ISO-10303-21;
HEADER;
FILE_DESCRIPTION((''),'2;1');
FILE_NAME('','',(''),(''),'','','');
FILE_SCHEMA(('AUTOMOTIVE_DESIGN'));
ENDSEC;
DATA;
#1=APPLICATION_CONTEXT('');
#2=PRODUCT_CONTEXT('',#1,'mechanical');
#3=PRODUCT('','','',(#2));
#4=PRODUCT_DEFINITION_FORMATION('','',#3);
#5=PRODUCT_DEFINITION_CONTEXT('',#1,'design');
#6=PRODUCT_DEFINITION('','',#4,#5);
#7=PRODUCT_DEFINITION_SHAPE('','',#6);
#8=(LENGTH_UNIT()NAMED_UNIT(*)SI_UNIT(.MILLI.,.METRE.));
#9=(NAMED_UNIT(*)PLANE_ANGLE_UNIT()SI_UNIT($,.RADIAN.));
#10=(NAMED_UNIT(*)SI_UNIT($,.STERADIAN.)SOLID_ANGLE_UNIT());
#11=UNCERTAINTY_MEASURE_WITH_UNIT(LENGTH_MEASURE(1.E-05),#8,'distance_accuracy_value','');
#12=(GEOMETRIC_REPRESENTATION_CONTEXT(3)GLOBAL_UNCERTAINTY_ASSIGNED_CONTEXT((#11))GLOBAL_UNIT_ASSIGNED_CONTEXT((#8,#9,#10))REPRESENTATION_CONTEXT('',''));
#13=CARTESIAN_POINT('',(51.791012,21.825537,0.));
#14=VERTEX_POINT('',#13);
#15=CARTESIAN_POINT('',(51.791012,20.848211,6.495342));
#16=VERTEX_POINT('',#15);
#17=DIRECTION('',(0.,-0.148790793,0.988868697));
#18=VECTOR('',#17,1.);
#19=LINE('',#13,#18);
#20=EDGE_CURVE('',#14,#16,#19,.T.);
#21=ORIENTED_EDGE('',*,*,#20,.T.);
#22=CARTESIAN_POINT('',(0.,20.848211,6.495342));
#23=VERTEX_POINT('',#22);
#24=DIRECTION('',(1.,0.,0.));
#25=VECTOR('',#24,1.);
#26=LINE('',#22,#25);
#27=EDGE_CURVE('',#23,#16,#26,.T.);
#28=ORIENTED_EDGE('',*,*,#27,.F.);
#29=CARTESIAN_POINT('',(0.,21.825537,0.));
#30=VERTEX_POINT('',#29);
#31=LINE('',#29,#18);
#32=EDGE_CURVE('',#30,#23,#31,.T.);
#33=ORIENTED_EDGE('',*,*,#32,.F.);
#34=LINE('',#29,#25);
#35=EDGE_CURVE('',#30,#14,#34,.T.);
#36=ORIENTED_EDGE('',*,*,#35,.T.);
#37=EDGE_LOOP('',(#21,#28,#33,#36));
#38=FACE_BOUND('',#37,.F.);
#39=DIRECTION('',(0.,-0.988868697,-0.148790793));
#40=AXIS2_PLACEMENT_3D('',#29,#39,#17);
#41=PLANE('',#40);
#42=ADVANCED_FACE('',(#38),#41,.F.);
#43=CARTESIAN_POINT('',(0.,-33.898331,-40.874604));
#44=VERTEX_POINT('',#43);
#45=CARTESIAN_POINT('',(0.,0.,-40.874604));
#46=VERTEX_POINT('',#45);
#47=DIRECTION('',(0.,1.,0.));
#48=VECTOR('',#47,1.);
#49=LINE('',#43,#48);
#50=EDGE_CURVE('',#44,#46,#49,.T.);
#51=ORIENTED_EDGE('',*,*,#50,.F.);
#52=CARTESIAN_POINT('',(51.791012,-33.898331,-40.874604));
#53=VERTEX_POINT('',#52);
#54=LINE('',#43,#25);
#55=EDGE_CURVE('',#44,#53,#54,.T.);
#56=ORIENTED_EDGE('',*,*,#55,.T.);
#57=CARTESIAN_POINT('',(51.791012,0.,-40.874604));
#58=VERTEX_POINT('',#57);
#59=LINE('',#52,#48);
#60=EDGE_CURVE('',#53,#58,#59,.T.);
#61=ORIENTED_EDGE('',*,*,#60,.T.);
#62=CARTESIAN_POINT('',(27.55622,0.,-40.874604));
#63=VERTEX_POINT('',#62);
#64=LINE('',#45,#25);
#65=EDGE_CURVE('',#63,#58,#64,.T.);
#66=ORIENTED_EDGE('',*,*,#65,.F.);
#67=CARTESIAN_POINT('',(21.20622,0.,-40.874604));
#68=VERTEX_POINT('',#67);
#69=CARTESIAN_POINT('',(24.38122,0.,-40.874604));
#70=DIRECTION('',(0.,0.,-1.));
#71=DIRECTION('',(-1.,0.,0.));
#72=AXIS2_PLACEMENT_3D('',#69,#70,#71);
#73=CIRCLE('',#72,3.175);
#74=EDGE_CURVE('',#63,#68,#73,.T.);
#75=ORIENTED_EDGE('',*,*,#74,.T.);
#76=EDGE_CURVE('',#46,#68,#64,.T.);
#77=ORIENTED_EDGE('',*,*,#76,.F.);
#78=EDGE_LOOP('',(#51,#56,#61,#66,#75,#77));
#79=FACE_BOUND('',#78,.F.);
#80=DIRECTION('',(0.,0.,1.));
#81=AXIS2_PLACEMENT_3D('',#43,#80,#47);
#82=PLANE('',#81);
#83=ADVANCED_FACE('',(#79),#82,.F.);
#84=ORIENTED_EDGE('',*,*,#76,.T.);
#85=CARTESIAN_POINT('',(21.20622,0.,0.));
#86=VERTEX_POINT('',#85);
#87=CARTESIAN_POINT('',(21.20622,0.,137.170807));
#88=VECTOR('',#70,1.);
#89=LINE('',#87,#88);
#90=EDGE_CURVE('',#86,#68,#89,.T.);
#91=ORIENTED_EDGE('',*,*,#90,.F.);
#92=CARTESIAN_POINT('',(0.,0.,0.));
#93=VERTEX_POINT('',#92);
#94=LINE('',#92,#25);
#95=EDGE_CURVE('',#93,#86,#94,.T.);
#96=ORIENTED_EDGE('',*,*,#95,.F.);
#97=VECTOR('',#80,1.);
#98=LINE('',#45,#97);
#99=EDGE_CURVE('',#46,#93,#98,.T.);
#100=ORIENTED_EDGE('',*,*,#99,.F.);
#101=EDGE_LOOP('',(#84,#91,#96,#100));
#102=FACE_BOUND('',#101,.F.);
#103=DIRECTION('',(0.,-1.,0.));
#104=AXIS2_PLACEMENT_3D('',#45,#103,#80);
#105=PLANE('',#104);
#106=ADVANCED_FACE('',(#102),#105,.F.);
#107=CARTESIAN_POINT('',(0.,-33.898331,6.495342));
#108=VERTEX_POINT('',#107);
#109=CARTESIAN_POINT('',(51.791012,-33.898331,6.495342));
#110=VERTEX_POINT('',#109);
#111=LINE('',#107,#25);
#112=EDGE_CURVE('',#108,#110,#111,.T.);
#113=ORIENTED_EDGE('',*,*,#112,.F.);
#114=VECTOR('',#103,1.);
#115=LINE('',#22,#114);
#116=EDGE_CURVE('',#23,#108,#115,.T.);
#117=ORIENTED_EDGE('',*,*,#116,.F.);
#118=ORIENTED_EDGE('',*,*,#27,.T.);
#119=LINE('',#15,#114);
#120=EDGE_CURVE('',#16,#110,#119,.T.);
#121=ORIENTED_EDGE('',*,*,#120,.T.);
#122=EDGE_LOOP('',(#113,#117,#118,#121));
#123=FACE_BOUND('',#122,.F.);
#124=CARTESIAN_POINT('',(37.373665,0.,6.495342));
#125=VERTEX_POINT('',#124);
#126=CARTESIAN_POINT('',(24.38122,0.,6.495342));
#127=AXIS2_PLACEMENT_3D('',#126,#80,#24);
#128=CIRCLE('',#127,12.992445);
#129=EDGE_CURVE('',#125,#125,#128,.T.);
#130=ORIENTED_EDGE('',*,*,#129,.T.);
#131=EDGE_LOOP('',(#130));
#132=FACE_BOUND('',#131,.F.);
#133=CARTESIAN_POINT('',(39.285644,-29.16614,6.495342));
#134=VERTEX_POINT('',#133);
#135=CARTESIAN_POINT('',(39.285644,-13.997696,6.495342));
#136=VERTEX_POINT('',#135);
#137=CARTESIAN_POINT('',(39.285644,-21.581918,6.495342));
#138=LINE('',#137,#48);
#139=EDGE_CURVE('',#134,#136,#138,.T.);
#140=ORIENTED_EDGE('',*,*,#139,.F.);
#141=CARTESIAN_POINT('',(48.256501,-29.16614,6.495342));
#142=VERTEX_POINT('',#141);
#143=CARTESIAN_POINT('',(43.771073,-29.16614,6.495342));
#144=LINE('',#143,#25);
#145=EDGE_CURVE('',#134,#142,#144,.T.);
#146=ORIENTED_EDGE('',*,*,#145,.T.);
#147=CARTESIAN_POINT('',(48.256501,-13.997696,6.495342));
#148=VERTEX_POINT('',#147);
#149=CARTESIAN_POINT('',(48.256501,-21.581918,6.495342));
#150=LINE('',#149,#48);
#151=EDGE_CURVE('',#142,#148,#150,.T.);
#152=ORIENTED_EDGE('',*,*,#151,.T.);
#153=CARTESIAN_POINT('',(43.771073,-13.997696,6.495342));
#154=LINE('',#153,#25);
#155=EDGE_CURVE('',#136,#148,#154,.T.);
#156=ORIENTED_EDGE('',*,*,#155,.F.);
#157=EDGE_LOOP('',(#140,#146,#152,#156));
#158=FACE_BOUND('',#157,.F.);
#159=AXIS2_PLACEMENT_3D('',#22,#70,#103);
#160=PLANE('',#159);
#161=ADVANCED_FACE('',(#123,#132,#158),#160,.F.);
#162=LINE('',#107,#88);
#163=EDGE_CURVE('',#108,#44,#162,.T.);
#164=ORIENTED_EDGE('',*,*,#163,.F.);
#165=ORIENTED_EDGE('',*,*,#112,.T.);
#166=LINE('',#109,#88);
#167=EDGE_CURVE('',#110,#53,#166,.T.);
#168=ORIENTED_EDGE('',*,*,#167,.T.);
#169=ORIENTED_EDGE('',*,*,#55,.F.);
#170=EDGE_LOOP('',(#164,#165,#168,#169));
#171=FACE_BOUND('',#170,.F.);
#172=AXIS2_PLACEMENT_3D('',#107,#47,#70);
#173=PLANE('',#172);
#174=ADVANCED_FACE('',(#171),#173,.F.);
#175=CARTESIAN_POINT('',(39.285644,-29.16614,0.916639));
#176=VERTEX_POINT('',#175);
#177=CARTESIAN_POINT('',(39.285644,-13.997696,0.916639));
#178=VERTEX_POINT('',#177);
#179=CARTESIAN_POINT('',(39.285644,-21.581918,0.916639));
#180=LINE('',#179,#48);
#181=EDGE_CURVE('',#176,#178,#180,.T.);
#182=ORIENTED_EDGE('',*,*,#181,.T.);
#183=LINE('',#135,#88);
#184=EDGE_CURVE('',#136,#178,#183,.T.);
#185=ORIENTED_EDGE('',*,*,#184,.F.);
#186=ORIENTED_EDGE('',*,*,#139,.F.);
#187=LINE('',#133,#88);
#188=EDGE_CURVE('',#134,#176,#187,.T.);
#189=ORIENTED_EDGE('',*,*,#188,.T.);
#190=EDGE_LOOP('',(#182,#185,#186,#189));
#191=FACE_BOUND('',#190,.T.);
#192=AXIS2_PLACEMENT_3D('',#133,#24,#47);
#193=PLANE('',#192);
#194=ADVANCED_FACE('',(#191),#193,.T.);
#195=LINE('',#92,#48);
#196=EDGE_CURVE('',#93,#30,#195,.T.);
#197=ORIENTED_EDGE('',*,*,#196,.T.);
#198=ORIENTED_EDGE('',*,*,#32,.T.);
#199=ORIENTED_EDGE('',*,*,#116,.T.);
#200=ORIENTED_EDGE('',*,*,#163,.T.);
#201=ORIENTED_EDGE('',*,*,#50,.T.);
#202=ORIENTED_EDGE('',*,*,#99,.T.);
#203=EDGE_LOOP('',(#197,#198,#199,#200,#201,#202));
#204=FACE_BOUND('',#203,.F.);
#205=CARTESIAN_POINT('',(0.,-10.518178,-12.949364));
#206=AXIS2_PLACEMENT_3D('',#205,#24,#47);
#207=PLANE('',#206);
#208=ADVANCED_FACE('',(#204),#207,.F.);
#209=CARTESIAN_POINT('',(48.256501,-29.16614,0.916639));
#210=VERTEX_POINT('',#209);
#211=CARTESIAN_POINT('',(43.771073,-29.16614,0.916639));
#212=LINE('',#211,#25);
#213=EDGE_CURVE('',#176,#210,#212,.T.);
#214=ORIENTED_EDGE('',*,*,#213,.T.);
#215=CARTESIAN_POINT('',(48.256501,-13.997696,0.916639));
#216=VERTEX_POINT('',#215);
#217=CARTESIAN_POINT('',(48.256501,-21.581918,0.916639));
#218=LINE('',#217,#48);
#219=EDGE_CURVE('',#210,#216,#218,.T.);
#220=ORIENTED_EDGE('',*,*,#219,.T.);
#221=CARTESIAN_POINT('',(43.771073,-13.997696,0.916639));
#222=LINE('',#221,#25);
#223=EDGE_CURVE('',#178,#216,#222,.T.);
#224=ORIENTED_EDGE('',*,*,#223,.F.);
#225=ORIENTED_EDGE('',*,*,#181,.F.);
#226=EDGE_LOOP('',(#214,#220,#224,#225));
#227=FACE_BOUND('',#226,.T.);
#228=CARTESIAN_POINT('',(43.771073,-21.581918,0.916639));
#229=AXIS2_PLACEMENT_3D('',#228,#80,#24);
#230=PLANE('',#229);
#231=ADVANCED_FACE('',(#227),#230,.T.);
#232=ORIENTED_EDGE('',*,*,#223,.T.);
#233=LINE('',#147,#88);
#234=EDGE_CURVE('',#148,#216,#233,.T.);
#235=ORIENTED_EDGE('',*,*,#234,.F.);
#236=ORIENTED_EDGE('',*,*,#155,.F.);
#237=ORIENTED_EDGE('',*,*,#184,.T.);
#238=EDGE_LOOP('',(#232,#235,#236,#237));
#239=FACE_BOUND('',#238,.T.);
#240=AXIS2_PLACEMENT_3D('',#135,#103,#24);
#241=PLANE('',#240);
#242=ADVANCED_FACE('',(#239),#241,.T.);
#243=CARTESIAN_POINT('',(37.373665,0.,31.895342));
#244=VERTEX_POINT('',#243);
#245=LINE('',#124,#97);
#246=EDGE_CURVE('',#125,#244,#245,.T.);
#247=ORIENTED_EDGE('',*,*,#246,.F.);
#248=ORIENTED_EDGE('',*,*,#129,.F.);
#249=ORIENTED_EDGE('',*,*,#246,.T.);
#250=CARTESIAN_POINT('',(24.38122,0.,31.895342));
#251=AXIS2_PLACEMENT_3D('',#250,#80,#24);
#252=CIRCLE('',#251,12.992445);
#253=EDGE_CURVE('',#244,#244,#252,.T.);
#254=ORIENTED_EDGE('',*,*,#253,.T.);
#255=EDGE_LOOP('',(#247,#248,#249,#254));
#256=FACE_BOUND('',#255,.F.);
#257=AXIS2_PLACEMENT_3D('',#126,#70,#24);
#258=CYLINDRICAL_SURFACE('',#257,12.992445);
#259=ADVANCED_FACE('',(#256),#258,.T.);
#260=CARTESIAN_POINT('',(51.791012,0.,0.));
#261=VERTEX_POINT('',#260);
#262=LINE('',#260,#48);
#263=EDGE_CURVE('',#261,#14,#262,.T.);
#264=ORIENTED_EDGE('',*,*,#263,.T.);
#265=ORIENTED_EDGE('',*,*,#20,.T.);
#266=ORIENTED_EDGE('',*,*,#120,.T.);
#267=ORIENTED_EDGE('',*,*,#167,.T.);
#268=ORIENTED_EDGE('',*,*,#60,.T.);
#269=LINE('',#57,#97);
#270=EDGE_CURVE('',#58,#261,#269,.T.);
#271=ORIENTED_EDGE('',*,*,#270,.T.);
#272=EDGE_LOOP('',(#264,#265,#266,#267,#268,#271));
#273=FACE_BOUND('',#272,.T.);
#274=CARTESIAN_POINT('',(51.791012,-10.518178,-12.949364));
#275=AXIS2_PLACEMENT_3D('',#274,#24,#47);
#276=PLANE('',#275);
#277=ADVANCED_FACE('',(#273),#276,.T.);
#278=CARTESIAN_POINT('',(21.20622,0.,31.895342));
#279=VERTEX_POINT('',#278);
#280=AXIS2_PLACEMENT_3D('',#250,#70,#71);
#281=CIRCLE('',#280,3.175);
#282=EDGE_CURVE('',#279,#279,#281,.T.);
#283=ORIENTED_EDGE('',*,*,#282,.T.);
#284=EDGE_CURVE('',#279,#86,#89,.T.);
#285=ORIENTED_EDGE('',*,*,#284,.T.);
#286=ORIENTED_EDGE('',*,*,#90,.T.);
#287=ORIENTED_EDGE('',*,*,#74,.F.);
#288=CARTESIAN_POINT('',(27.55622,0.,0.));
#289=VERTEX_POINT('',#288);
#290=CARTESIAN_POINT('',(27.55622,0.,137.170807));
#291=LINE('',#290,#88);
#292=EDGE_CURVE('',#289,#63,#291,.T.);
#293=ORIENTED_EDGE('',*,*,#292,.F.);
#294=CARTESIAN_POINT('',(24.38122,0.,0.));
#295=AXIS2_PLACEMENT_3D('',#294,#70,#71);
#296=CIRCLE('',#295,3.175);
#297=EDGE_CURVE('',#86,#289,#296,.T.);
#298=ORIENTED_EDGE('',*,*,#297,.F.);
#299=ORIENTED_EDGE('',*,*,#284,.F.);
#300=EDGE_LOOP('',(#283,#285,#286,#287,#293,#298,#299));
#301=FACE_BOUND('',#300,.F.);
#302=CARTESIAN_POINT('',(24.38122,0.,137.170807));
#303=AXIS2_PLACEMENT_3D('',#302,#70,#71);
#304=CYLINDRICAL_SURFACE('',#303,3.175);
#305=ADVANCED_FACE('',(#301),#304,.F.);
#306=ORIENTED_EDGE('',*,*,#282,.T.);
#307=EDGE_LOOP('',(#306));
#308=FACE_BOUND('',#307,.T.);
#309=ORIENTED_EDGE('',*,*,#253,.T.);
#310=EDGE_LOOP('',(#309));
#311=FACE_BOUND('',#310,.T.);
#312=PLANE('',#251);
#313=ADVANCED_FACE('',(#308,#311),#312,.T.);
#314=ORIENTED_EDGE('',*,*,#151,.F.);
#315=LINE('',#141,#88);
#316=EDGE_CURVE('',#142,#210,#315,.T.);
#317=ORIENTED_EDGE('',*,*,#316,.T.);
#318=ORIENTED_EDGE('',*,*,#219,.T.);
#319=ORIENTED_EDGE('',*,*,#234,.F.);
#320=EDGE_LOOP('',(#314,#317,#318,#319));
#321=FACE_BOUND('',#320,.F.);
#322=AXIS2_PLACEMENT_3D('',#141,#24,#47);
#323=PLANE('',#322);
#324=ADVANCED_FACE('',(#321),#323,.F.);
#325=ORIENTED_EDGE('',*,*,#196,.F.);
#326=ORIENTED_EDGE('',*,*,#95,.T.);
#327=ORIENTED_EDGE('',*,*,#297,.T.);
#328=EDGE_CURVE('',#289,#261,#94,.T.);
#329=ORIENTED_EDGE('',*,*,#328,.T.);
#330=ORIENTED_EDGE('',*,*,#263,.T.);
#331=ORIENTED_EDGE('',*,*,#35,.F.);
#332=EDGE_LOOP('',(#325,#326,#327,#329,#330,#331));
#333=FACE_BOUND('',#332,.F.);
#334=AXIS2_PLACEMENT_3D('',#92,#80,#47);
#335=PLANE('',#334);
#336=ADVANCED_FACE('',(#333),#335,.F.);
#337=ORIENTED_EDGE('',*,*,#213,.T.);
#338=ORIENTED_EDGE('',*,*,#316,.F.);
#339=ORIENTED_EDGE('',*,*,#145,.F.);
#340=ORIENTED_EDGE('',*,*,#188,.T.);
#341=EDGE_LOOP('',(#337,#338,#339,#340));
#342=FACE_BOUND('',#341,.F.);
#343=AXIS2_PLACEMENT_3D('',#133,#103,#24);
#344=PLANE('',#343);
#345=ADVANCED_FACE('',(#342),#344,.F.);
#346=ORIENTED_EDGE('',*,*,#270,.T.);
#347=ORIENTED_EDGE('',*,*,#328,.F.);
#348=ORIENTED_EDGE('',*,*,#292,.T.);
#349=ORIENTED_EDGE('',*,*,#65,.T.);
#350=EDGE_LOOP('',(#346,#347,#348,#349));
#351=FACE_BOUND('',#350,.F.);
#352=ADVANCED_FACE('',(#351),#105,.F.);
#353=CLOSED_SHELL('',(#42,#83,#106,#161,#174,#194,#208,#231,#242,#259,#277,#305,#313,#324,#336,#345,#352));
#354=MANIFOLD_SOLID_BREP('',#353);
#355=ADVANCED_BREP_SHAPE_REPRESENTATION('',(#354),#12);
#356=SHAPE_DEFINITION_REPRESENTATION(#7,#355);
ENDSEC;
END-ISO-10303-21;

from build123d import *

# Parameters (mm, degrees)
F1_DEPTH = 51.791012
F2_R     = 12.992445
F3_DEPTH = 25.4
F5_D     = 6.35
F6_W     = 8.970857
F6_H     = 15.168444
F7_DEPTH = 5.578703


with BuildPart() as f1:
    # F0 (on Right) → F1 (new body)
    with BuildSketch(Plane.YZ):
        Polygon((21.825537, 0), (20.848211, 6.495342), (-33.898331, 6.495342), (-33.898331, -40.874604), (0, -40.874604), (0, 0), align=None)
    extrude(amount=F1_DEPTH)

    # F2 (on face) → F3 (join)
    with BuildSketch(Plane.XY.offset(6.495342)):
        with Locations((24.38122, 0)):
            Circle(F2_R)
    extrude(amount=F3_DEPTH)

    # F5 (through all)
    with Locations(Plane.XY.offset(31.895342)):
        with Locations((24.38122, 0)):
            Hole(F5_D / 2)

    # F6 (on face) → F7 (cut)
    with BuildSketch(Plane.XY.offset(6.495342)):
        with Locations((43.771073, -21.581918)):
            Rectangle(F6_W, F6_H)
    extrude(amount=-F7_DEPTH, mode=Mode.SUBTRACT)


solid = f1.part
